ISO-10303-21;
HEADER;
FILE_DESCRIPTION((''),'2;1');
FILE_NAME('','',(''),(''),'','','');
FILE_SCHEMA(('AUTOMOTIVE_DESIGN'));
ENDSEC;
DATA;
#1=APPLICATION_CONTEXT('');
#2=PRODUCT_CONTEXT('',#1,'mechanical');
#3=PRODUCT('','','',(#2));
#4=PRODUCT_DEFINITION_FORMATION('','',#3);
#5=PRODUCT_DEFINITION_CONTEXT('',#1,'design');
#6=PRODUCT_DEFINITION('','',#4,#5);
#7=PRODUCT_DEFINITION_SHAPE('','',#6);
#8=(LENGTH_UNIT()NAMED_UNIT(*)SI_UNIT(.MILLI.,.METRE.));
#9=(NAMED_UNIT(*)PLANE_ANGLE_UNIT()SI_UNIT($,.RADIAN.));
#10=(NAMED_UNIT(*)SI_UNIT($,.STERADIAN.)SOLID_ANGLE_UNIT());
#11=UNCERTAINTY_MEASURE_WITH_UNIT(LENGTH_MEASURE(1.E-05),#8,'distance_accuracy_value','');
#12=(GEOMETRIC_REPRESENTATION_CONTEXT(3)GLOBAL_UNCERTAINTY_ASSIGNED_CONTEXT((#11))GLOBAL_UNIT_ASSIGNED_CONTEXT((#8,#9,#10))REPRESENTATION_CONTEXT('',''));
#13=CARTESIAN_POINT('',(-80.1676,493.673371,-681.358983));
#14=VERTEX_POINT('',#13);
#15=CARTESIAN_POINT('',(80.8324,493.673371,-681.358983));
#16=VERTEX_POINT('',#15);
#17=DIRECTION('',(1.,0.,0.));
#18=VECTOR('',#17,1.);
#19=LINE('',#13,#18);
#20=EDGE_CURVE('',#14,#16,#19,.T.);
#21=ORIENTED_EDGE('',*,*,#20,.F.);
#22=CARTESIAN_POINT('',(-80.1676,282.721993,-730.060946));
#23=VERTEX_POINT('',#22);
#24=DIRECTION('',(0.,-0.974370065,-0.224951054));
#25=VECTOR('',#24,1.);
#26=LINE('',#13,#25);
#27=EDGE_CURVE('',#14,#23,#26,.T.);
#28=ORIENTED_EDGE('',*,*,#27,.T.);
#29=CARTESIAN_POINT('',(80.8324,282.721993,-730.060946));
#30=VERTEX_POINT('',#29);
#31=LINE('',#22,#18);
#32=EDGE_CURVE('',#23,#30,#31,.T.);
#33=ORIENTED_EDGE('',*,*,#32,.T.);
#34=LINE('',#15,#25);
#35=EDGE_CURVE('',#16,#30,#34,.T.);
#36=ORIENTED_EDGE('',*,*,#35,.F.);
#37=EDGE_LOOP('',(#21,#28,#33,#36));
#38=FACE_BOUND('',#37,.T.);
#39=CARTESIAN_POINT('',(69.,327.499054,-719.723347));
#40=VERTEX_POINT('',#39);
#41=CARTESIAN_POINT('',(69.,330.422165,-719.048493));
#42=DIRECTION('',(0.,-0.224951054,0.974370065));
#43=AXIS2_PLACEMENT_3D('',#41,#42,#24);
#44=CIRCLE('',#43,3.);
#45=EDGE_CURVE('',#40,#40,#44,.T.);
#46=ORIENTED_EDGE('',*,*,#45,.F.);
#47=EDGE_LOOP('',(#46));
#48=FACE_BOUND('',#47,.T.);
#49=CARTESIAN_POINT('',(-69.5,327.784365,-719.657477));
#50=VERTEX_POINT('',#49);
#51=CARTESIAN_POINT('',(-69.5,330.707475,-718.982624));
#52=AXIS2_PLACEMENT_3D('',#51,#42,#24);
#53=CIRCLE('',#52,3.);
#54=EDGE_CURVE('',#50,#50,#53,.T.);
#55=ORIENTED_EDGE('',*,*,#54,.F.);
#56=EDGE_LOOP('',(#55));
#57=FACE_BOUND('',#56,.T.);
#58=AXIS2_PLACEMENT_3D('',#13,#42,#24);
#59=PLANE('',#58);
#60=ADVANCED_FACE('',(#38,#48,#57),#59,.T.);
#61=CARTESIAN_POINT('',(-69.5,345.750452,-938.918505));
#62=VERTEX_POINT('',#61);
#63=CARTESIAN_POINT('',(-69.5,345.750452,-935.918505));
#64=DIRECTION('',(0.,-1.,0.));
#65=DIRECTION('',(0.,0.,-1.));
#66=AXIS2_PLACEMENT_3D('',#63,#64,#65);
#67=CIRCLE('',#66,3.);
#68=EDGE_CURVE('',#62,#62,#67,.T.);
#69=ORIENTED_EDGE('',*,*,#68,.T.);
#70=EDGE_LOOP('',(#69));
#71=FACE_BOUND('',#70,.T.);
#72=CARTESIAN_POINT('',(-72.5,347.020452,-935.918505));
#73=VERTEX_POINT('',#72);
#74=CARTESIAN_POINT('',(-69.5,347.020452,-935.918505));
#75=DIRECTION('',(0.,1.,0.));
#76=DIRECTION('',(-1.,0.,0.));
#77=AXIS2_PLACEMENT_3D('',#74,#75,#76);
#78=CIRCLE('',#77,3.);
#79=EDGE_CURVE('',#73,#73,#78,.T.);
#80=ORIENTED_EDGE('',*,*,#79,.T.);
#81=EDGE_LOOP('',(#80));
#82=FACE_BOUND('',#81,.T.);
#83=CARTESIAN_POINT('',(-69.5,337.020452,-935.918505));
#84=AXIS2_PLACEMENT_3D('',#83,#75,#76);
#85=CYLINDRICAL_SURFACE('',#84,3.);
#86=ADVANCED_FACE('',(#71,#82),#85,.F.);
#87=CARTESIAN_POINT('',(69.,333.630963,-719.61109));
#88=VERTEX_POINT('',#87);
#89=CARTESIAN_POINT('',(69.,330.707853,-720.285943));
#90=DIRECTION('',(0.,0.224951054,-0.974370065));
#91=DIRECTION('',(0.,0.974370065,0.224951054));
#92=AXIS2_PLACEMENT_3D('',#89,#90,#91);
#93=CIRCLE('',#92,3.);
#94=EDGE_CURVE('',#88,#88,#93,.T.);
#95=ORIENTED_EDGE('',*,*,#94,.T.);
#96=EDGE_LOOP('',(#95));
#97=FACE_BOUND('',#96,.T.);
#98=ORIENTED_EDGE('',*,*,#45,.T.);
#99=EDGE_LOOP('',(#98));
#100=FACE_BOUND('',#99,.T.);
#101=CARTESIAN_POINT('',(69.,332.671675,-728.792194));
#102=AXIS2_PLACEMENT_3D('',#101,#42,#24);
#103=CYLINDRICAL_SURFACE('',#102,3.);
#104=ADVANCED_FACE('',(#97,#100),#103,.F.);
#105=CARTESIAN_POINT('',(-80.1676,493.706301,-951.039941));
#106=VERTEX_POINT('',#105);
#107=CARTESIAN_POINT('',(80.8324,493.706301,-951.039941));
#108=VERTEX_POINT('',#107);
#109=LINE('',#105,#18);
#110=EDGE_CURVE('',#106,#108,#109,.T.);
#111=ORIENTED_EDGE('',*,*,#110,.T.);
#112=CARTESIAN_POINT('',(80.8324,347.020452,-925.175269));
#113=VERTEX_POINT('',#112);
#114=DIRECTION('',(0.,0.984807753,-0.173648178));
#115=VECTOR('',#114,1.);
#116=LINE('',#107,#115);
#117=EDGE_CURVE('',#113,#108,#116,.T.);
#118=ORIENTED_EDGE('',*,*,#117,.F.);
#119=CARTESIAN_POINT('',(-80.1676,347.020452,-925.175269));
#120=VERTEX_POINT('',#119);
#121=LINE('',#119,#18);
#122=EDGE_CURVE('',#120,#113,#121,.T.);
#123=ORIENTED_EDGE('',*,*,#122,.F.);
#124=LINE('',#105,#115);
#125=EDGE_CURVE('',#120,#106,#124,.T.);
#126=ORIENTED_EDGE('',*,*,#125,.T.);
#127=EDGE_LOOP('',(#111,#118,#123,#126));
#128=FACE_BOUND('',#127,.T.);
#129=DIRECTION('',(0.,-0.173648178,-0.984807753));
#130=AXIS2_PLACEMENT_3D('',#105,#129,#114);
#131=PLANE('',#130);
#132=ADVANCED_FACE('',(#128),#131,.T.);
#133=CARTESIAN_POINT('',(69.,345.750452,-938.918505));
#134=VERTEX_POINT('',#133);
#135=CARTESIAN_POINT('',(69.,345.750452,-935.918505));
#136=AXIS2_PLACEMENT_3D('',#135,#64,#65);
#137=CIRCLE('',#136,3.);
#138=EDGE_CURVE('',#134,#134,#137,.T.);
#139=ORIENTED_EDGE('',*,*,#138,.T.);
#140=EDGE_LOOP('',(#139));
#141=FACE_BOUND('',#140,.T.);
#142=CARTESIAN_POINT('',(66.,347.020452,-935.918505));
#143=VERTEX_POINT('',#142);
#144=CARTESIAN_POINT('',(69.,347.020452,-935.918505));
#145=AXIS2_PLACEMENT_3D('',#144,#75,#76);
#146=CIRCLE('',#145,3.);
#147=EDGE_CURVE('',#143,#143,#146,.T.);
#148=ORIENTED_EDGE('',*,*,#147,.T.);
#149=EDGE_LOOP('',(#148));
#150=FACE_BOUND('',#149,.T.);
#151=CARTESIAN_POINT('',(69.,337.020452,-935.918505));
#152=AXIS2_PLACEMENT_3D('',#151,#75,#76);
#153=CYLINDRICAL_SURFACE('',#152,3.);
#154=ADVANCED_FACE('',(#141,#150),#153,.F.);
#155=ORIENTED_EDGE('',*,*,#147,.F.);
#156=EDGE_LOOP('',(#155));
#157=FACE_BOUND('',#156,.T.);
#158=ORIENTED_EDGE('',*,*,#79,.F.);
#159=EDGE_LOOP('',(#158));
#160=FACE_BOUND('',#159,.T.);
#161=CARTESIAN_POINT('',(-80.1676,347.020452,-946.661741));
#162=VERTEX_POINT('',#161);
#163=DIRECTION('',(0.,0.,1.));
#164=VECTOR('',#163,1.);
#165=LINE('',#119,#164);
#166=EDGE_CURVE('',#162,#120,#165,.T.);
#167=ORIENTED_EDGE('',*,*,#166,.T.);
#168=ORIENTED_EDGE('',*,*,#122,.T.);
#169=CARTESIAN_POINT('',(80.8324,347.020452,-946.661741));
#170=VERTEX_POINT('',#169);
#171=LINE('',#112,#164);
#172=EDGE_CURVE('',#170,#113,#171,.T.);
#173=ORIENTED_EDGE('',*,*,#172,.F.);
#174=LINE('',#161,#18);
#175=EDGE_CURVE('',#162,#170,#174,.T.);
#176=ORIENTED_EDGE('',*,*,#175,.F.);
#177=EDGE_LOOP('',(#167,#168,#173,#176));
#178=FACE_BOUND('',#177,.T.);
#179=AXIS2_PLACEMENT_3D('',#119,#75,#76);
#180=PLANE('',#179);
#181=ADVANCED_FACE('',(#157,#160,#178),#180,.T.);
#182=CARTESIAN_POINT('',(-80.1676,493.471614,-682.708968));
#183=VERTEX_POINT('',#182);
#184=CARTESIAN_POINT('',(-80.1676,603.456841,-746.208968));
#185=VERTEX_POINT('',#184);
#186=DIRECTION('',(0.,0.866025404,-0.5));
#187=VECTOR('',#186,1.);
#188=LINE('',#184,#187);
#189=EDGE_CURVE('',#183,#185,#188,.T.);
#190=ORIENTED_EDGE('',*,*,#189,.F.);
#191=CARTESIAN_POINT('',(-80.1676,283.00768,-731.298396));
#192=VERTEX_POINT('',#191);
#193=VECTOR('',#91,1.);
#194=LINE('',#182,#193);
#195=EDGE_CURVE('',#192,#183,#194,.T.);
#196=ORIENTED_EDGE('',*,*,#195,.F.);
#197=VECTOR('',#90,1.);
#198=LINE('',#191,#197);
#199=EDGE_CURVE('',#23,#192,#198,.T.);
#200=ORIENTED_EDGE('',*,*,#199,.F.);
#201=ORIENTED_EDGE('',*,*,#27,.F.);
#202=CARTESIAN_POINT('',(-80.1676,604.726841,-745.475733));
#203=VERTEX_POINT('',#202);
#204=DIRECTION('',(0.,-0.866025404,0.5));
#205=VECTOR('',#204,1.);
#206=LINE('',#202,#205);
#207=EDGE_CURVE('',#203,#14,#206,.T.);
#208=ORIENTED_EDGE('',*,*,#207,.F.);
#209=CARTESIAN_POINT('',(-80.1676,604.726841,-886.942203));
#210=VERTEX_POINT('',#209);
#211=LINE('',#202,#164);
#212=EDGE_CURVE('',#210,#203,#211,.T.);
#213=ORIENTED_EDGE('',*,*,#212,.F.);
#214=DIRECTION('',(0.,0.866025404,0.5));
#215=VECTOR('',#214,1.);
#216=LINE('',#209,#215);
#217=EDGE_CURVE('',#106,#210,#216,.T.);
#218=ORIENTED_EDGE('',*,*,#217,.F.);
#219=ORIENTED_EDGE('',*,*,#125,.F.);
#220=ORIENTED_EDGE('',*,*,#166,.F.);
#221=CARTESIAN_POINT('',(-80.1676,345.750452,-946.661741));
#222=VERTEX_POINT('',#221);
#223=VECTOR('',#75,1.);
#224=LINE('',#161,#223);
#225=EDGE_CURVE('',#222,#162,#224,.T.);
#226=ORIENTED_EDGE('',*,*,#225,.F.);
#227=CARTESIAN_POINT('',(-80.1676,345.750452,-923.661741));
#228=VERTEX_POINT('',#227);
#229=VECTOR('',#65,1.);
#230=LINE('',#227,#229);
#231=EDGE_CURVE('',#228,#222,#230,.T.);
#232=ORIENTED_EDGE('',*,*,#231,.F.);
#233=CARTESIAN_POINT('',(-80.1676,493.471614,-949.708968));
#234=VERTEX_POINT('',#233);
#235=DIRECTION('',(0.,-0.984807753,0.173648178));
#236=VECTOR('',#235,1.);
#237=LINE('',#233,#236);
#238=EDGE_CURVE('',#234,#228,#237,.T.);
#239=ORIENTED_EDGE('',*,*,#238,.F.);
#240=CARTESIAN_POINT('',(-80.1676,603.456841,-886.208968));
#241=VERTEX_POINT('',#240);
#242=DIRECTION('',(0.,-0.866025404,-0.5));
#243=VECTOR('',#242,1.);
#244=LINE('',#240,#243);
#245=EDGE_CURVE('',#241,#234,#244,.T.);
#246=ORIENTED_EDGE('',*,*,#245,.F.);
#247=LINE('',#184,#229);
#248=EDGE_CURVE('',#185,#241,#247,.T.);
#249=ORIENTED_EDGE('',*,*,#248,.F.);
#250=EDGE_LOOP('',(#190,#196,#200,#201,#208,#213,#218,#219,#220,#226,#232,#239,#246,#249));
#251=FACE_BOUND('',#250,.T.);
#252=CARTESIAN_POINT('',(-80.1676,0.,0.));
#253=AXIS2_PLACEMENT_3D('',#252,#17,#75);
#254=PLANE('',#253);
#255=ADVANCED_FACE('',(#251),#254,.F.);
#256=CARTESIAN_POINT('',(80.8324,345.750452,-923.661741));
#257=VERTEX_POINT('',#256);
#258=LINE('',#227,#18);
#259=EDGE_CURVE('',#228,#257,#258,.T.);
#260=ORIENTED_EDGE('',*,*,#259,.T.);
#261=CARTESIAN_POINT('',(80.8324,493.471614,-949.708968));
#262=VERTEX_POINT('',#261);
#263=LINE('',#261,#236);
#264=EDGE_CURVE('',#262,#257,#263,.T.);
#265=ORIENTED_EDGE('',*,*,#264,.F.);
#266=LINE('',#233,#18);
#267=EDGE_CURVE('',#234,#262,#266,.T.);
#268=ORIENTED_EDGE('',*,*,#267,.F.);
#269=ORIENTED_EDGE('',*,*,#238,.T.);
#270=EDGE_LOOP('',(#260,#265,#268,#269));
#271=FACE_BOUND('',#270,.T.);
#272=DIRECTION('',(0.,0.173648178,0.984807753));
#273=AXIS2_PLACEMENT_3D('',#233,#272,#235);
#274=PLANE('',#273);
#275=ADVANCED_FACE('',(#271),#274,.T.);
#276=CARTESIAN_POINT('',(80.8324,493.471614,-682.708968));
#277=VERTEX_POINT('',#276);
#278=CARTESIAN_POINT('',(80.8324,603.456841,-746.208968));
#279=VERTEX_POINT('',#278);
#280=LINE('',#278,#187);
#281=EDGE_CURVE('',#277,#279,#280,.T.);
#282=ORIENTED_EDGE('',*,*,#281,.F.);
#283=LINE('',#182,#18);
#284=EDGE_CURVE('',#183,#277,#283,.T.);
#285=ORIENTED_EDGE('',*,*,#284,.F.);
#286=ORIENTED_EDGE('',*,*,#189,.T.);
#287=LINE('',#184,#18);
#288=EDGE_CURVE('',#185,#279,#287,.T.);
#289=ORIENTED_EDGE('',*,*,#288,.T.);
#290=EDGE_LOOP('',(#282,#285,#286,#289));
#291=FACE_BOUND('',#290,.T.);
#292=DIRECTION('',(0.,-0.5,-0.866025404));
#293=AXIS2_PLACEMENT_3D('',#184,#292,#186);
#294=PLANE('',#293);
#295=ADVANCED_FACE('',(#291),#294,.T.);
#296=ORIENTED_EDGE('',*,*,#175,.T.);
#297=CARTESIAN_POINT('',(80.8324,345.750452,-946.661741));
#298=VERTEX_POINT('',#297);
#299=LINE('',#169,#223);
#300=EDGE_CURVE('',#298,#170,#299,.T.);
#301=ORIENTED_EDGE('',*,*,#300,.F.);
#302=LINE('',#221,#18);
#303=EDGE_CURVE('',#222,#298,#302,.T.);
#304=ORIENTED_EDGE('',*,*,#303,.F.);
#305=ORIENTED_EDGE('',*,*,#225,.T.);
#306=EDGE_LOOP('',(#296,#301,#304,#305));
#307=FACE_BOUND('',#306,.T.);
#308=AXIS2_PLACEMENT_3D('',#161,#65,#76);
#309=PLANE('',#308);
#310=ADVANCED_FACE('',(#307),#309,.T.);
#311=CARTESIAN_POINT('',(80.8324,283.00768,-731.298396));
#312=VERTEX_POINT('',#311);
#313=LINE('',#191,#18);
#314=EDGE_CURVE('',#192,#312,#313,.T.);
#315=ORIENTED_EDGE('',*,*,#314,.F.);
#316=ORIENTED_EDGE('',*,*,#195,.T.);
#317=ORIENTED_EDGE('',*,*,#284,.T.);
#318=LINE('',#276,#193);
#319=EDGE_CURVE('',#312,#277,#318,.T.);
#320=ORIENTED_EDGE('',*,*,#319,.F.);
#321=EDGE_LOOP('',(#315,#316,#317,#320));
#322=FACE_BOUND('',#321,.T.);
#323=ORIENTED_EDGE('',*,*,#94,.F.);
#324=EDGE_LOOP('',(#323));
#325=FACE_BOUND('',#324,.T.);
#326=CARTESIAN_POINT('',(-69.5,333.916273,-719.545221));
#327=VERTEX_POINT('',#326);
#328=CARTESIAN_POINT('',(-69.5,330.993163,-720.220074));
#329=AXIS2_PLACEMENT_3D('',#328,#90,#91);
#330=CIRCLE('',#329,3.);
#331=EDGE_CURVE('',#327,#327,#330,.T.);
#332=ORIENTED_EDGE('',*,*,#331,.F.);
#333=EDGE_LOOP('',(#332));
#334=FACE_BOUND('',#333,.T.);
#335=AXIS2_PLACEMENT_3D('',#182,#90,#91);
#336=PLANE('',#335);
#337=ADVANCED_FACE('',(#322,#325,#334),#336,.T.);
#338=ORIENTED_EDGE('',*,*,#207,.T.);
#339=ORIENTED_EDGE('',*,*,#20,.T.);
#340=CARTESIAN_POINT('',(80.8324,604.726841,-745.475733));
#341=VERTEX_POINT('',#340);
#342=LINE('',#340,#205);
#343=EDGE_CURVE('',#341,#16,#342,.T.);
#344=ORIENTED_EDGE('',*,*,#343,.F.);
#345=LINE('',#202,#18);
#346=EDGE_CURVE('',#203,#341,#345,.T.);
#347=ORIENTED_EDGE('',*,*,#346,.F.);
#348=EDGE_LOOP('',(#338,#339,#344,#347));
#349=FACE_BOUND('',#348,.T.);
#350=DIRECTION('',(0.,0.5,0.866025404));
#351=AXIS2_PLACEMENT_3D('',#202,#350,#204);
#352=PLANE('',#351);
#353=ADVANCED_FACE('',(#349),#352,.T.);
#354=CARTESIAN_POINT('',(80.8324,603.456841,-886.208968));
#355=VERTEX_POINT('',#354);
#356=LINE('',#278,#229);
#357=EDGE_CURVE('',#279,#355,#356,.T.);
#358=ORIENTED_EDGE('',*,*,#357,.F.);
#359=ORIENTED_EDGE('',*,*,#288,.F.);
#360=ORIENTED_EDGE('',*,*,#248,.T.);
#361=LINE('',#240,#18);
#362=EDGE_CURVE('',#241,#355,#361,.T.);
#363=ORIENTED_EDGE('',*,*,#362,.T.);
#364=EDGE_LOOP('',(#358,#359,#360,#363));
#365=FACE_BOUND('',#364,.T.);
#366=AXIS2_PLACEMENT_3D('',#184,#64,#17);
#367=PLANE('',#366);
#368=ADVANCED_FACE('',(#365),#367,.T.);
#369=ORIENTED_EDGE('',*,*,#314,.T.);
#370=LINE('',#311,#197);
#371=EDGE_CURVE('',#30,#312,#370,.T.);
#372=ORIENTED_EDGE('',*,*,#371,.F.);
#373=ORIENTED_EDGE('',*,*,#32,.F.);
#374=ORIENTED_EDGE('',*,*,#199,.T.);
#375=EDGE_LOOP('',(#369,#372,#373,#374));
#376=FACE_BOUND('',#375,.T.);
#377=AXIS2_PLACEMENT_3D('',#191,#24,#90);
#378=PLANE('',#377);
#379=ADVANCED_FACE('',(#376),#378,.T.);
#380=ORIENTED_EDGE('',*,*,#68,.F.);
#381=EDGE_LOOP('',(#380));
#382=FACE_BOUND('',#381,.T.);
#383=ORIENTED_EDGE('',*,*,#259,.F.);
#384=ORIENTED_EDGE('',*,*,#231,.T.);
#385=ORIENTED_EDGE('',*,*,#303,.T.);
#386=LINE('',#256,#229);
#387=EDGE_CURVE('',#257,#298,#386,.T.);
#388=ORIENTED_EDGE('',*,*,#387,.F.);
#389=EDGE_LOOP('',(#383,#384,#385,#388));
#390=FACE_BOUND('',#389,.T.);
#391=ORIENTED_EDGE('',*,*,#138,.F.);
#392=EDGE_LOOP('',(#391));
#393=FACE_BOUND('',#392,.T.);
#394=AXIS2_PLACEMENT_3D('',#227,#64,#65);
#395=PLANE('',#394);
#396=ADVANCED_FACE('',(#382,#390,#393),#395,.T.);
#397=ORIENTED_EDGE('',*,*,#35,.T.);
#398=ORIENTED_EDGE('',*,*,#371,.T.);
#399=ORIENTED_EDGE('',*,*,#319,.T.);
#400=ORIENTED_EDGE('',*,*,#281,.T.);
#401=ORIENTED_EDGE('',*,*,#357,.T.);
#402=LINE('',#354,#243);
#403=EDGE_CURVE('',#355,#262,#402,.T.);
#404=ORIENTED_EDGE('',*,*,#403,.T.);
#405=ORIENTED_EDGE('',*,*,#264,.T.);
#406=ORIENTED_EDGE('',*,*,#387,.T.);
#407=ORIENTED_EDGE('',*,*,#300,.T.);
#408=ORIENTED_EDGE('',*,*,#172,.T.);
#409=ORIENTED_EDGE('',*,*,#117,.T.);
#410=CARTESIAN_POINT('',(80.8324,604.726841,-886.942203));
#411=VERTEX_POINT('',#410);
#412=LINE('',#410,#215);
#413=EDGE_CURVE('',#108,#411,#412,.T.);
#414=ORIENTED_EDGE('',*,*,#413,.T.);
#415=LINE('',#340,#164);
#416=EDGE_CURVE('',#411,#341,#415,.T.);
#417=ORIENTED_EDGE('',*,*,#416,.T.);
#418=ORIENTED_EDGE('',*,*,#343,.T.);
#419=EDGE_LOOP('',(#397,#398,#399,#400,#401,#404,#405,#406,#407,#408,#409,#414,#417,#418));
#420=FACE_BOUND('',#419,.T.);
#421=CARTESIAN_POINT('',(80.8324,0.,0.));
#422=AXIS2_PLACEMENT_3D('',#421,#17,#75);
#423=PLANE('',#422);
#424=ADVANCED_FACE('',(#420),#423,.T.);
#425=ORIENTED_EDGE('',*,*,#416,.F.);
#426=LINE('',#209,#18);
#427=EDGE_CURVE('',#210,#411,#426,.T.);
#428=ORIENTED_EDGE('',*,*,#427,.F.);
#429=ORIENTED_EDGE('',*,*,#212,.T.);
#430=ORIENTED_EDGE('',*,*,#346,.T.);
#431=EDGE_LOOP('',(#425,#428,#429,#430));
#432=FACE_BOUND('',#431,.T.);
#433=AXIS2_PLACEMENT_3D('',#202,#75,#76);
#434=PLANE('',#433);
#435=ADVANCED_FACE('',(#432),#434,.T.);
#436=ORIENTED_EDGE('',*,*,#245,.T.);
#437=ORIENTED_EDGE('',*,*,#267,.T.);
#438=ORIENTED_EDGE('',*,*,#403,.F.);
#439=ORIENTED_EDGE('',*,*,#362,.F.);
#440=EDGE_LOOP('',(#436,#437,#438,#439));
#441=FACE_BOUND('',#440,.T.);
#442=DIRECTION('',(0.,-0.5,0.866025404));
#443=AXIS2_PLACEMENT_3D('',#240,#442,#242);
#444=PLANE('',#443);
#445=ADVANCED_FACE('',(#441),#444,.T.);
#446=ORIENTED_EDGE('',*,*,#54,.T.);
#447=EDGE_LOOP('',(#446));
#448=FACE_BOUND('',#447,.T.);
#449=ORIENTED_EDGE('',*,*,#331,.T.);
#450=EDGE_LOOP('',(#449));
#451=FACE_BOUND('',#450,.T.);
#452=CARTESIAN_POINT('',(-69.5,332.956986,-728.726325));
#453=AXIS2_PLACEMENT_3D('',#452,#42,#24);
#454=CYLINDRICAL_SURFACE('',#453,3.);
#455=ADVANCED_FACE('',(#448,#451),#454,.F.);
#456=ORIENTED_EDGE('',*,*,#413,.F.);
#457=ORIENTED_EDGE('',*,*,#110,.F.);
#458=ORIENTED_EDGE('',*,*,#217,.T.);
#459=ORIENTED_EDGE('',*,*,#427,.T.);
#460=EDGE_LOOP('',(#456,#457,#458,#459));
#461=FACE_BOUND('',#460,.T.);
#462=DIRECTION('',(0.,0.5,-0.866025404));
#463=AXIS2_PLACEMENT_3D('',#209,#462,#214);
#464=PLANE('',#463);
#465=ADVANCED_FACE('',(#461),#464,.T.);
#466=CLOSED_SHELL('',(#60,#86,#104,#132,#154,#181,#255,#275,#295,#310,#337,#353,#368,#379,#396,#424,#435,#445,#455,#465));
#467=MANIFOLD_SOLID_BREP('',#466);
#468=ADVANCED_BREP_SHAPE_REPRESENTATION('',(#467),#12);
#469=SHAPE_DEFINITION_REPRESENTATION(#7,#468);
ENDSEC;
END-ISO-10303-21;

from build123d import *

# Parameters (mm, degrees)
BOSS_EXTRUDE1_DEPTH      = 97
BOSS_EXTRUDE1_DEPTH_BACK = 64
SKETCH6_R                = 3
CUT_EXTRUDE1_DEPTH       = 10
SKETCH8_R                = 3
CUT_EXTRUDE3_DEPTH       = 10


with BuildPart() as part:
    # Sketch3 → Boss-Extrude1 (new, two sides: drawn at the far end of the back side and taken through both)
    with BuildSketch(Plane(origin=(-16.16759993, 0, 0), x_dir=(0, 0, -1), z_dir=(1, 0, 0)).offset(-BOSS_EXTRUDE1_DEPTH_BACK)):
        Polygon((746.208968128, 603.456840762), (886.208968128, 603.456840762), (949.708968128, 493.471614481), (923.661741478, 345.75045153), (946.661741478, 345.75045153), (946.661741478, 347.02045153), (925.175268541, 347.02045153), (951.03994149, 493.706300996), (886.94220297, 604.726840762), (745.475733286, 604.726840762), (681.358982713, 493.673371154), (730.060945884, 282.721992649), (731.298395866, 283.007680488), (682.708968128, 493.471614481), align=None)
    extrude(amount=BOSS_EXTRUDE1_DEPTH + BOSS_EXTRUDE1_DEPTH_BACK)

    # Sketch6 → Cut-Extrude1 (cut)
    with BuildSketch(Plane(origin=(0, 347.02045153, 0), x_dir=(1, 0, 0), z_dir=(0, 1, 0))):
        with Locations(Location((-69.5, 935.918505009, 0), (0, 0, 180))):
            Circle(SKETCH6_R)
        with Locations(Location((69.000000001, 935.918505009, 0), (0, 0, 180))):
            Circle(SKETCH6_R)
    extrude(amount=-CUT_EXTRUDE1_DEPTH, mode=Mode.SUBTRACT)

    # Sketch8 → Cut-Extrude3 (cut)
    with BuildSketch(Plane(origin=(0, 174.325401486, -755.08627081), x_dir=(1, 0, 0), z_dir=(0, -0.22495105434386187, 0.9743700647852359))):
        with Locations(Location((69, 160.202749263, 0), (0, 0, 270))):
            Circle(SKETCH8_R)
        with Locations(Location((-69.5, 160.49556469, 0), (0, 0, 270))):
            Circle(SKETCH8_R)
    extrude(amount=-CUT_EXTRUDE3_DEPTH, mode=Mode.SUBTRACT)


solid = part.part
